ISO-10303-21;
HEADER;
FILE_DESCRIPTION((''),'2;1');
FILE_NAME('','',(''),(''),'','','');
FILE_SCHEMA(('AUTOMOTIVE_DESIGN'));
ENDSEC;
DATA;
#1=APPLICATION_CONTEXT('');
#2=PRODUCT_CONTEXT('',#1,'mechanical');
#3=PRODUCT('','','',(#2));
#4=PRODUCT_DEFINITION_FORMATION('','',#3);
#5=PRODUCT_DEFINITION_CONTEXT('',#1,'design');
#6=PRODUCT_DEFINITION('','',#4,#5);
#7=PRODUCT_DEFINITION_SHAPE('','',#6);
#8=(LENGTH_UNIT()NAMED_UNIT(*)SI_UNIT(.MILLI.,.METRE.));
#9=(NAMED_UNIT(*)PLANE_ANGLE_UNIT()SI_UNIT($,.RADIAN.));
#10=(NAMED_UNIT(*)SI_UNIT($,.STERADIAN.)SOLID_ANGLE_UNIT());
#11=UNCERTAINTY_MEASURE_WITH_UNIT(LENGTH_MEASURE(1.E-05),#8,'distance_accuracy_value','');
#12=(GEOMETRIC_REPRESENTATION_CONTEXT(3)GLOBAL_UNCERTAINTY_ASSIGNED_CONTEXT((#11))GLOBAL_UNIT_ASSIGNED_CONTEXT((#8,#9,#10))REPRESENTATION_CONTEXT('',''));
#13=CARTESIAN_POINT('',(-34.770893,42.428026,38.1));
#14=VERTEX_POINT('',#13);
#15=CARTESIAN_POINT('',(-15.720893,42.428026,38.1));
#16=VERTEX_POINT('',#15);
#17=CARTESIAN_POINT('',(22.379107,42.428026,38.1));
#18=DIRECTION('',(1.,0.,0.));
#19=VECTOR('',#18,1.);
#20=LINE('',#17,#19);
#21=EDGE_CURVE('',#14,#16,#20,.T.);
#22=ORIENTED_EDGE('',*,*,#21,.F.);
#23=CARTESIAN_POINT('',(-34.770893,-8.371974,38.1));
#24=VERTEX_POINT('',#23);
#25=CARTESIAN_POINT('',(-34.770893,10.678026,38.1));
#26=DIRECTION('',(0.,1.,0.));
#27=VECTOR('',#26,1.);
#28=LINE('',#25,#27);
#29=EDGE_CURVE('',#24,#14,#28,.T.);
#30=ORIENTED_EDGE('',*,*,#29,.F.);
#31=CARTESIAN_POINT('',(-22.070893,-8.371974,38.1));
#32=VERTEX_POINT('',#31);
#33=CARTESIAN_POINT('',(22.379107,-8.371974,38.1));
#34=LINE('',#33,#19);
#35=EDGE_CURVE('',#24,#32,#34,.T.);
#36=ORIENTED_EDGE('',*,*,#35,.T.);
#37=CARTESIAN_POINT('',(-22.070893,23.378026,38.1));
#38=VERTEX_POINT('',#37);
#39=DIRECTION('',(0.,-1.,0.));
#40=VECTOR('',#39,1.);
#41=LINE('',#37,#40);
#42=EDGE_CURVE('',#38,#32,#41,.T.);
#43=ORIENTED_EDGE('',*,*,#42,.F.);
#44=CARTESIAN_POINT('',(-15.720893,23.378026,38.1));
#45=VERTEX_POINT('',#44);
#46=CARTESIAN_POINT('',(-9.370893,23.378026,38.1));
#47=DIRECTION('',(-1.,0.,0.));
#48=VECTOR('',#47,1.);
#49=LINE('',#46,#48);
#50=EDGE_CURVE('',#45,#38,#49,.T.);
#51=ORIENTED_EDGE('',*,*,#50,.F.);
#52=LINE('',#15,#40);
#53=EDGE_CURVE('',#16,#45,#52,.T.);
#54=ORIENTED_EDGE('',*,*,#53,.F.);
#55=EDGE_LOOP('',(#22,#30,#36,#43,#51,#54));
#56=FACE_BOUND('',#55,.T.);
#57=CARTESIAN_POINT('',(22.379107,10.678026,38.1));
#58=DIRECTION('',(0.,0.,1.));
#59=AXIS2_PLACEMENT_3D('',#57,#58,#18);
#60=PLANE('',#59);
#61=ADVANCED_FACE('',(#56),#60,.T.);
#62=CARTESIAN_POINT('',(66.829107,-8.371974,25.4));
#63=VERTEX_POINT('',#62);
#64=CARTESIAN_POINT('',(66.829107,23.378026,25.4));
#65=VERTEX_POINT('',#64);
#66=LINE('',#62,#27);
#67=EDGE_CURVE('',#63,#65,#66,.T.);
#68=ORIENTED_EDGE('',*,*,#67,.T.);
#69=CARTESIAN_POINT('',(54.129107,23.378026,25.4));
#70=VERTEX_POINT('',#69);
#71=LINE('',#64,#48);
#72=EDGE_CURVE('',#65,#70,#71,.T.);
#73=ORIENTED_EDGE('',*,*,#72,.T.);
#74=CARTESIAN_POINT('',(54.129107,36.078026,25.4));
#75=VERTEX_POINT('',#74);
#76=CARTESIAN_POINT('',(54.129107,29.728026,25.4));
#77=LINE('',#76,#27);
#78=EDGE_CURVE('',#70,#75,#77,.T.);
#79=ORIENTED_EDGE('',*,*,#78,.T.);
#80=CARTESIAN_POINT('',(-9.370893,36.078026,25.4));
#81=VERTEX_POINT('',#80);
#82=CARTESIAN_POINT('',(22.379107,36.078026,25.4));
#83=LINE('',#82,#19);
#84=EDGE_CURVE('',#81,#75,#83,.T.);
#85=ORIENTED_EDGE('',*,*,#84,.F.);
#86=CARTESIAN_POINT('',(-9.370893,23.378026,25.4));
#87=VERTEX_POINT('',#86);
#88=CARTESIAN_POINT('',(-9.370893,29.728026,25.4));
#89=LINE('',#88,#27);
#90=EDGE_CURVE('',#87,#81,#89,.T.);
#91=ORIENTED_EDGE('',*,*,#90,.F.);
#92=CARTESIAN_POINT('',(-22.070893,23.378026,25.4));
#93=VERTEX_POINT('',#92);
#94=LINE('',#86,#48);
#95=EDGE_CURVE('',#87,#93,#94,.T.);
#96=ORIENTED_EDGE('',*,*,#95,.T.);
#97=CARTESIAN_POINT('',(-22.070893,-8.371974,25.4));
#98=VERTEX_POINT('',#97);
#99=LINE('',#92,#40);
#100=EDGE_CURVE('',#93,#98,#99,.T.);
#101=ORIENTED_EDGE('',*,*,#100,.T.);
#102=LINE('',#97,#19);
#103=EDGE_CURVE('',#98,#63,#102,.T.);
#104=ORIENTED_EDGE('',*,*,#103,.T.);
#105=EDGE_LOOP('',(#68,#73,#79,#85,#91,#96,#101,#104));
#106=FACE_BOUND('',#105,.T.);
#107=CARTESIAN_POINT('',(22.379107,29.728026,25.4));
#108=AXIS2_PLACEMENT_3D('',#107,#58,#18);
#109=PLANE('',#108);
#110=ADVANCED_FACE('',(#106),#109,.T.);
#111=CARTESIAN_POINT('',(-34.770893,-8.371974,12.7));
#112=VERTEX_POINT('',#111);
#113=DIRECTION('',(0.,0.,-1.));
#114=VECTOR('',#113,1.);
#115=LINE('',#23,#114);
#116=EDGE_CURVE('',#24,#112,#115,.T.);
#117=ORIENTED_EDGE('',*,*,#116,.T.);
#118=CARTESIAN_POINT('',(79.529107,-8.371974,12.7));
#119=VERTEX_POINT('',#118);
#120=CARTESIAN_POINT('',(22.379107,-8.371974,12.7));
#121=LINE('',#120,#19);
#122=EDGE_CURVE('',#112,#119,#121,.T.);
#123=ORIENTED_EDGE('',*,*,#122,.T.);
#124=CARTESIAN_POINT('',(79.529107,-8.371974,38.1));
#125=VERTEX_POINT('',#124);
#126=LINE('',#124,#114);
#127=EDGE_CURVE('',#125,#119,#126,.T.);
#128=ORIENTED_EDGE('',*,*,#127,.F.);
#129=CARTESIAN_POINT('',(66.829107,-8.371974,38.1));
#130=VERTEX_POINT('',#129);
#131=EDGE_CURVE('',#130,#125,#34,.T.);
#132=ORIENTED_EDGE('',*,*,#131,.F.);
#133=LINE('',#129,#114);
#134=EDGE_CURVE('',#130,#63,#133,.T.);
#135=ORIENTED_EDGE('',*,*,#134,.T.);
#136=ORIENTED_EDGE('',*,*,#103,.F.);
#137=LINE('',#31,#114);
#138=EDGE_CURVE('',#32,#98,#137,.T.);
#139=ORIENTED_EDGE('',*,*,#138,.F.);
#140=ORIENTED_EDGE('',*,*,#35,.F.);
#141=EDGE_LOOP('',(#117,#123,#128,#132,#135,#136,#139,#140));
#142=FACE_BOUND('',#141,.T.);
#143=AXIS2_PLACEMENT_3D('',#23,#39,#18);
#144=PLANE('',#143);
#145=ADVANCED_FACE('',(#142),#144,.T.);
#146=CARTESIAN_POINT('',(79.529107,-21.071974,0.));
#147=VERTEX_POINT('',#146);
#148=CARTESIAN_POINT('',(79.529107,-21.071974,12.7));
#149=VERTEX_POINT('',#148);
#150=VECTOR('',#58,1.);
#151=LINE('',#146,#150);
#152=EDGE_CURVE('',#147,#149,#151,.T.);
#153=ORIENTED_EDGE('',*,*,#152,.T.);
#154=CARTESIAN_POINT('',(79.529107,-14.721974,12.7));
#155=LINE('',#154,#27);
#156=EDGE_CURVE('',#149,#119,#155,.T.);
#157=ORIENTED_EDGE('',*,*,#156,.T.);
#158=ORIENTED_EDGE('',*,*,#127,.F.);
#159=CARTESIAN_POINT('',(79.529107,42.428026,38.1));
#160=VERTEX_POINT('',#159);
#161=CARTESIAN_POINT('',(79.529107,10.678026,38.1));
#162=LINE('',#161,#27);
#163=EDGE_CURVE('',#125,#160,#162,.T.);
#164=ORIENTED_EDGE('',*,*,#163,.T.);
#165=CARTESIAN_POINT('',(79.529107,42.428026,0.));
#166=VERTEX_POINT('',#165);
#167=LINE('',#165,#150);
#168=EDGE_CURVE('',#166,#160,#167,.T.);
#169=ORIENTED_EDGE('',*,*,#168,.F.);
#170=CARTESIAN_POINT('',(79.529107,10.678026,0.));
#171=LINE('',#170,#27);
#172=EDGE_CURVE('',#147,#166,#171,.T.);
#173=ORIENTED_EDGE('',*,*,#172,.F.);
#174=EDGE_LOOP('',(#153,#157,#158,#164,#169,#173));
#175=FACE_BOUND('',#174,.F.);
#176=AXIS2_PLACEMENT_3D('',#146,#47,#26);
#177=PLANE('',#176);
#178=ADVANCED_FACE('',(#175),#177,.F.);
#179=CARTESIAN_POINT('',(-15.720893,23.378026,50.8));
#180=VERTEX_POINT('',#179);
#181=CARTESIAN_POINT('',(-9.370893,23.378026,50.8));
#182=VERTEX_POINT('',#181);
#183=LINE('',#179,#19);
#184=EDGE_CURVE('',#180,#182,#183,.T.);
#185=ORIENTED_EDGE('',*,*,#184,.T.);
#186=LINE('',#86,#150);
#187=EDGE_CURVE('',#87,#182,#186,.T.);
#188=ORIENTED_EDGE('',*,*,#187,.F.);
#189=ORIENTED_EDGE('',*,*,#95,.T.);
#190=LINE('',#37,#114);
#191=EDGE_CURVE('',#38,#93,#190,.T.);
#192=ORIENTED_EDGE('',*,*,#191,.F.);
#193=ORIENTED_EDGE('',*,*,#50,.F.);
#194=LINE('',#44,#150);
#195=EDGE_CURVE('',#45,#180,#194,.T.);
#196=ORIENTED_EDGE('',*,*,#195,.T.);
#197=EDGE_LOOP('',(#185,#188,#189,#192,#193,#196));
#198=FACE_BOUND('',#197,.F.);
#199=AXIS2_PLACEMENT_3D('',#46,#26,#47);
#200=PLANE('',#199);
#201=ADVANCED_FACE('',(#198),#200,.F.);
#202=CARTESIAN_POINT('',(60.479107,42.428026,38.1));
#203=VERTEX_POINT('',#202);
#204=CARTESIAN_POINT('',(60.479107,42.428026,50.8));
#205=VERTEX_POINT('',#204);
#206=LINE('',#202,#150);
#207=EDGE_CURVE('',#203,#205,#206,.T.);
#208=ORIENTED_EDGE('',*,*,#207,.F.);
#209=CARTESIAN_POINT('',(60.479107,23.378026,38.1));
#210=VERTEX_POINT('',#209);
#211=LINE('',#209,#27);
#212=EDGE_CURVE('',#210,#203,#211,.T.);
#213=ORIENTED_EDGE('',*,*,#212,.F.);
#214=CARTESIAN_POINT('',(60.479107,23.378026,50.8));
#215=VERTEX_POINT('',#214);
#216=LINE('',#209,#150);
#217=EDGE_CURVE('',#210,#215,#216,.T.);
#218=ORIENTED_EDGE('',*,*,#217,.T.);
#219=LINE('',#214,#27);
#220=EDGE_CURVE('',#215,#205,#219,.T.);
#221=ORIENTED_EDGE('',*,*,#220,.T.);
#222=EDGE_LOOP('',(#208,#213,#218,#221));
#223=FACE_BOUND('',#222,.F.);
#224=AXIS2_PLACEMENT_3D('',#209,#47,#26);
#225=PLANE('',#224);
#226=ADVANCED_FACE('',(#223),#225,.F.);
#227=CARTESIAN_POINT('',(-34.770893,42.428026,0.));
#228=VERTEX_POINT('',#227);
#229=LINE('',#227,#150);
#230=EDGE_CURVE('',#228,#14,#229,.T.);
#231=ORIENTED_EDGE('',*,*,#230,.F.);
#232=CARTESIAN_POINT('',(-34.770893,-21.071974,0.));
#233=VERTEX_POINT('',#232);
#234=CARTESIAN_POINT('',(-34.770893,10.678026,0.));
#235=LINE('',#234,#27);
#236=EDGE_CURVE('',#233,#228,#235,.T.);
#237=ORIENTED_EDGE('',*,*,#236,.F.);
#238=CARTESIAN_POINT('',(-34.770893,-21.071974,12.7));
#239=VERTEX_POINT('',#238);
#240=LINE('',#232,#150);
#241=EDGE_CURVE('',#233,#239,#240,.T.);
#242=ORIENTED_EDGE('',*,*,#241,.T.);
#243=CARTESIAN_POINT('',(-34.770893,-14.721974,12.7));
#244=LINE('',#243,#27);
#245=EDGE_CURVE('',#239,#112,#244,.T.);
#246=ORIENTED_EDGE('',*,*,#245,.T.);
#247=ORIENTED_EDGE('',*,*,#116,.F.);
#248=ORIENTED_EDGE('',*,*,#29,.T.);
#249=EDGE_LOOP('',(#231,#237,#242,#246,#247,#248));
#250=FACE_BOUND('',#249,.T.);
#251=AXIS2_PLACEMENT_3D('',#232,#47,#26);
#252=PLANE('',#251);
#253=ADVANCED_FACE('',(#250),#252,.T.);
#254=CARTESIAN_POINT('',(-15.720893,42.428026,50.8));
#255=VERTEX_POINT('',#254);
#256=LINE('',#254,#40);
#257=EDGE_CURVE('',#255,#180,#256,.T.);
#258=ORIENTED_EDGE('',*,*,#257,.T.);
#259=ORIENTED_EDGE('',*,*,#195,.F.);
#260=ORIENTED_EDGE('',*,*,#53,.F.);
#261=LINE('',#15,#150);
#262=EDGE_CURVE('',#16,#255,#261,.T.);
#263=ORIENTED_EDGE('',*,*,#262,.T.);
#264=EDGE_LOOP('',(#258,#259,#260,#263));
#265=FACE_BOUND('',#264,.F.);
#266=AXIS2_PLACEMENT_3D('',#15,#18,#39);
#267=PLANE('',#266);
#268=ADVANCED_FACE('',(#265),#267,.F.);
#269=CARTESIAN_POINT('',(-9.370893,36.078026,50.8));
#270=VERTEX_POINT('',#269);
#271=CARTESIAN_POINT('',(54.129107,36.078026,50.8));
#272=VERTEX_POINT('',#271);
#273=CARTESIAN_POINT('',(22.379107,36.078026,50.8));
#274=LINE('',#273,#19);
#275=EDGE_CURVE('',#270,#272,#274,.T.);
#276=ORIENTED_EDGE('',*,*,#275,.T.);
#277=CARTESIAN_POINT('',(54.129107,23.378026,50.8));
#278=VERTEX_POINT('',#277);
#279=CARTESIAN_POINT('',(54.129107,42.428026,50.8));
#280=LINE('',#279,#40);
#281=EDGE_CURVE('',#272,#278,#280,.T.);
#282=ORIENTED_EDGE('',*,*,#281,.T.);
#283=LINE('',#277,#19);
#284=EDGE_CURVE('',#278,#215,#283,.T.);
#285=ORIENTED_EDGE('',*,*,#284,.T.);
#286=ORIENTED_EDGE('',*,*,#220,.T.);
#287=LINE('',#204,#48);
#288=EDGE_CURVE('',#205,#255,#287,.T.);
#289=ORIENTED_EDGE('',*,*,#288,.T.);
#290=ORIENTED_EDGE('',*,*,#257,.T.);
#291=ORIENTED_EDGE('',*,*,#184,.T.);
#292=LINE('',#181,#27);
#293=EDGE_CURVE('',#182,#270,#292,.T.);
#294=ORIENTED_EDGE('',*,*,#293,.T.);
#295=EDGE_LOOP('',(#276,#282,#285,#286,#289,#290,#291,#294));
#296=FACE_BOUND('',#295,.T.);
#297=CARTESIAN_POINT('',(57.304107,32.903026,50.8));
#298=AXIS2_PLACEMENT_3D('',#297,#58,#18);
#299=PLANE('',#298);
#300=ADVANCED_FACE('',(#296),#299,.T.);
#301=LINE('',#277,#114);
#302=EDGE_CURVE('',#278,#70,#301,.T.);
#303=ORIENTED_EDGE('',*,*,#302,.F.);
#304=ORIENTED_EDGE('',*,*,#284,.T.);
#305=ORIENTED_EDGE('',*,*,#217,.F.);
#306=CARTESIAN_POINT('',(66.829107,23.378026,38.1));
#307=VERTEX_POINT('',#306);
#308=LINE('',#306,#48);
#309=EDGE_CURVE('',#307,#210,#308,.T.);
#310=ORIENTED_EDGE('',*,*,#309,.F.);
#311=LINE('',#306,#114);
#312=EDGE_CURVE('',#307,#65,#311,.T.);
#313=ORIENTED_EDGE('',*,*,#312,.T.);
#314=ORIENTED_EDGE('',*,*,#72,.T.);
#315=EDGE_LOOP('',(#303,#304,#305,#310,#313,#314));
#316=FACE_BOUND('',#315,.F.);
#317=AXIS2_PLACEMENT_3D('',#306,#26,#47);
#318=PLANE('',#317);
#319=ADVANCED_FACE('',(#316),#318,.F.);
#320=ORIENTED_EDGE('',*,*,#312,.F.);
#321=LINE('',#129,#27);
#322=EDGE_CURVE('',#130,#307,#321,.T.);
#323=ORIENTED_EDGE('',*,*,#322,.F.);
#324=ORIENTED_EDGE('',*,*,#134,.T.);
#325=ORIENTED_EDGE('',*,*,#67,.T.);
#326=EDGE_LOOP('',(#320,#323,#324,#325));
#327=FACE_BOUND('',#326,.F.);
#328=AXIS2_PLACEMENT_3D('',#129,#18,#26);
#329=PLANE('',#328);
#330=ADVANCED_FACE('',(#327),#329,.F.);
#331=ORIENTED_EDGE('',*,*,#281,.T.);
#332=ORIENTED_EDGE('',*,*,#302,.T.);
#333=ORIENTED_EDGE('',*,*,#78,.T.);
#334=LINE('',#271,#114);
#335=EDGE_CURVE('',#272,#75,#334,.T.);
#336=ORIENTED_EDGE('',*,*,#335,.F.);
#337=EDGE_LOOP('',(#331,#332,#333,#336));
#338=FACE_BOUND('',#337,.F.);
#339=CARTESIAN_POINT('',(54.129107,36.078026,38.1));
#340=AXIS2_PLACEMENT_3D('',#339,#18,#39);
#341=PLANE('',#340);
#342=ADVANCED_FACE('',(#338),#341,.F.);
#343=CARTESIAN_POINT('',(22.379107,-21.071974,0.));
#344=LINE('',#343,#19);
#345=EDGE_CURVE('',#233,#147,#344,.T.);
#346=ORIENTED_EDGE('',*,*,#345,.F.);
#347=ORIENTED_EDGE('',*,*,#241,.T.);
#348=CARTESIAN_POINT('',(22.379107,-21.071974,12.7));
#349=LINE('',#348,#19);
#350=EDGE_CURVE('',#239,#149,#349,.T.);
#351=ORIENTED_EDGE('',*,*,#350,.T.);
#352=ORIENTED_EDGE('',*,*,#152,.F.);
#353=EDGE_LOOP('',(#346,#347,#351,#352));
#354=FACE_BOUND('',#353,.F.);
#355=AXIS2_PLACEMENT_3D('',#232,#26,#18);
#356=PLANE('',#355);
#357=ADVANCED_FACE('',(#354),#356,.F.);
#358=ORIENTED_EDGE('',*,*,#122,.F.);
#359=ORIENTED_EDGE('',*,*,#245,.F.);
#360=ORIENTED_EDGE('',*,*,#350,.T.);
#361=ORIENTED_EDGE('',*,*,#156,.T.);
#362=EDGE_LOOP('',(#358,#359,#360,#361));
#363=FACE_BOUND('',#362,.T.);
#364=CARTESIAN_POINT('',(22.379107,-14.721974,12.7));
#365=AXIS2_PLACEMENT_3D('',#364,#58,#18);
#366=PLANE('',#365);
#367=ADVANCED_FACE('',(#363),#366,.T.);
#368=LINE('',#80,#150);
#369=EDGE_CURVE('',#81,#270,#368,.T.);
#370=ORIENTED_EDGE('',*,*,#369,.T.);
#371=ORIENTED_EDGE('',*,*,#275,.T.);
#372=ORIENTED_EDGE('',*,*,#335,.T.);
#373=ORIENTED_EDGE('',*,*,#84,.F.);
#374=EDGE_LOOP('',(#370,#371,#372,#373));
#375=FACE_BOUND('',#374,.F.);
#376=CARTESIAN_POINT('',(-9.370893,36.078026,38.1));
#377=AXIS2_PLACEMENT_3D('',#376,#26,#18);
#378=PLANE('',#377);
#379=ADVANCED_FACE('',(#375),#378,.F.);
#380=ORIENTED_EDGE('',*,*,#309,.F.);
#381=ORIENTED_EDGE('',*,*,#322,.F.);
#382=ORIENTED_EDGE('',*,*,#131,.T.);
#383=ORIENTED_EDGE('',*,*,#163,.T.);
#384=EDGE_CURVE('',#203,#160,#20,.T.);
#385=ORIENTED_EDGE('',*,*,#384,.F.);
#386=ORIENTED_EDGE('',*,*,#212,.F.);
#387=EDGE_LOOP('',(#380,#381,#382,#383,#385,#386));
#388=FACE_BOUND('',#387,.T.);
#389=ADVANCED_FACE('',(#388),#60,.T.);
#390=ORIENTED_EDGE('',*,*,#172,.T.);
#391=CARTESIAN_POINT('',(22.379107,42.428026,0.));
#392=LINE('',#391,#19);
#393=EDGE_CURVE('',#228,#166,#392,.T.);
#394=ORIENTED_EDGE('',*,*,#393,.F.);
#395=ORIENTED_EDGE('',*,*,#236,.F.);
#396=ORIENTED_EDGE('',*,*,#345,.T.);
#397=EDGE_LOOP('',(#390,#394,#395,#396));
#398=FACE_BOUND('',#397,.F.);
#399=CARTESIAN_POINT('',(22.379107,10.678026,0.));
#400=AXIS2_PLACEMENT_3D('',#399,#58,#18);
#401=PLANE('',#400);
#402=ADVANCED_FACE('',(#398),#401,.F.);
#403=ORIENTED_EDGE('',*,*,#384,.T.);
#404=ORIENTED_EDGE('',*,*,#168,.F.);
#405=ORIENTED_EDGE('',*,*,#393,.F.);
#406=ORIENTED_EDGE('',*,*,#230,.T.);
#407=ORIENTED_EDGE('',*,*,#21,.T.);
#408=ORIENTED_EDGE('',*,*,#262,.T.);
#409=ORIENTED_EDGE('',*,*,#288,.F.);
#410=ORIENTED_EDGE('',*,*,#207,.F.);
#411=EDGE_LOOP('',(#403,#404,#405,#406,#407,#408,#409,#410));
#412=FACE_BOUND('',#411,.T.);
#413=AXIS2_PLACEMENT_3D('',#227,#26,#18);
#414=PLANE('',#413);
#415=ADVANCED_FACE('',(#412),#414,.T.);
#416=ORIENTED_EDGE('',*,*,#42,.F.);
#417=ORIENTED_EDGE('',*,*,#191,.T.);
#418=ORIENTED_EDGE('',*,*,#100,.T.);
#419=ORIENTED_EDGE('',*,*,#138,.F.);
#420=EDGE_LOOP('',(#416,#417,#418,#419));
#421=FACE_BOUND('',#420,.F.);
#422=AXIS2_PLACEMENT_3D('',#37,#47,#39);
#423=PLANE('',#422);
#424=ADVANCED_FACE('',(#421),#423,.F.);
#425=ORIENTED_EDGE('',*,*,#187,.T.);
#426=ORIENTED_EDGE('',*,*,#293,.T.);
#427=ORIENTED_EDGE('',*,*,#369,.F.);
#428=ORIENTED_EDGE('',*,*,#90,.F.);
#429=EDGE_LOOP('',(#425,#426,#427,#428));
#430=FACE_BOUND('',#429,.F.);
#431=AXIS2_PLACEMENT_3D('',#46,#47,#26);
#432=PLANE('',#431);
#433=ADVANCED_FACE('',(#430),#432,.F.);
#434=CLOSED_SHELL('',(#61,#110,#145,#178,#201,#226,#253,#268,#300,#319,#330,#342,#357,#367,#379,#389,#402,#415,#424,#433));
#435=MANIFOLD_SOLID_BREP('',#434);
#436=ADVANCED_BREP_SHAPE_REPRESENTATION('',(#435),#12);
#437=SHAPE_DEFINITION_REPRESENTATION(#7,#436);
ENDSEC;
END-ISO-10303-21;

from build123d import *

# Parameters (mm, degrees)
F0_W     = 114.3
F0_H     = 63.5
F1_DEPTH = 38.1
F2_W     = 63.5
F2_H     = 6.35
F3_DEPTH = 12.7
F4_W     = 63.5
F4_H     = 12.7
F5_DEPTH = 12.7
F6_W     = 114.3
F6_H     = 12.7
F7_DEPTH = 25.4


with BuildPart() as f1:
    # F0 (on Top) → F1 (new body)
    with BuildSketch(Plane.XY):
        with Locations((22.379107, 10.678026)):
            Rectangle(F0_W, F0_H)
    extrude(amount=F1_DEPTH)

    # F2 (on face) → F3 (join)
    with BuildSketch(Plane.XY.offset(38.1)):
        Polygon((54.129107, 42.428026), (54.129107, 36.078026), (54.129107, 23.378026), (60.479107, 23.378026), (60.479107, 42.428026), align=None)
        with Locations((22.379107, 39.253026)):
            Rectangle(F2_W, F2_H)
        Polygon((-15.720893, 42.428026), (-15.720893, 23.378026), (-9.370893, 23.378026), (-9.370893, 36.078026), (-9.370893, 42.428026), align=None)
    extrude(amount=F3_DEPTH)

    # F4 (on face) → F5 (cut)
    with BuildSketch(Plane.XY.offset(38.1)):
        with Locations((22.379107, 29.728026)):
            Rectangle(F4_W, F4_H)
        Polygon((-15.720893, 23.378026), (-22.070893, 23.378026), (-22.070893, -8.371974), (66.829107, -8.371974), (66.829107, 23.378026), (60.479107, 23.378026), (54.129107, 23.378026), (-9.370893, 23.378026), align=None)
    extrude(amount=-F5_DEPTH, mode=Mode.SUBTRACT)

    # F6 (on face) → F7 (cut)
    with BuildSketch(Plane.XY.offset(38.1)):
        with Locations((22.379107, -14.721974)):
            Rectangle(F6_W, F6_H)
    extrude(amount=-F7_DEPTH, mode=Mode.SUBTRACT)


solid = f1.part
